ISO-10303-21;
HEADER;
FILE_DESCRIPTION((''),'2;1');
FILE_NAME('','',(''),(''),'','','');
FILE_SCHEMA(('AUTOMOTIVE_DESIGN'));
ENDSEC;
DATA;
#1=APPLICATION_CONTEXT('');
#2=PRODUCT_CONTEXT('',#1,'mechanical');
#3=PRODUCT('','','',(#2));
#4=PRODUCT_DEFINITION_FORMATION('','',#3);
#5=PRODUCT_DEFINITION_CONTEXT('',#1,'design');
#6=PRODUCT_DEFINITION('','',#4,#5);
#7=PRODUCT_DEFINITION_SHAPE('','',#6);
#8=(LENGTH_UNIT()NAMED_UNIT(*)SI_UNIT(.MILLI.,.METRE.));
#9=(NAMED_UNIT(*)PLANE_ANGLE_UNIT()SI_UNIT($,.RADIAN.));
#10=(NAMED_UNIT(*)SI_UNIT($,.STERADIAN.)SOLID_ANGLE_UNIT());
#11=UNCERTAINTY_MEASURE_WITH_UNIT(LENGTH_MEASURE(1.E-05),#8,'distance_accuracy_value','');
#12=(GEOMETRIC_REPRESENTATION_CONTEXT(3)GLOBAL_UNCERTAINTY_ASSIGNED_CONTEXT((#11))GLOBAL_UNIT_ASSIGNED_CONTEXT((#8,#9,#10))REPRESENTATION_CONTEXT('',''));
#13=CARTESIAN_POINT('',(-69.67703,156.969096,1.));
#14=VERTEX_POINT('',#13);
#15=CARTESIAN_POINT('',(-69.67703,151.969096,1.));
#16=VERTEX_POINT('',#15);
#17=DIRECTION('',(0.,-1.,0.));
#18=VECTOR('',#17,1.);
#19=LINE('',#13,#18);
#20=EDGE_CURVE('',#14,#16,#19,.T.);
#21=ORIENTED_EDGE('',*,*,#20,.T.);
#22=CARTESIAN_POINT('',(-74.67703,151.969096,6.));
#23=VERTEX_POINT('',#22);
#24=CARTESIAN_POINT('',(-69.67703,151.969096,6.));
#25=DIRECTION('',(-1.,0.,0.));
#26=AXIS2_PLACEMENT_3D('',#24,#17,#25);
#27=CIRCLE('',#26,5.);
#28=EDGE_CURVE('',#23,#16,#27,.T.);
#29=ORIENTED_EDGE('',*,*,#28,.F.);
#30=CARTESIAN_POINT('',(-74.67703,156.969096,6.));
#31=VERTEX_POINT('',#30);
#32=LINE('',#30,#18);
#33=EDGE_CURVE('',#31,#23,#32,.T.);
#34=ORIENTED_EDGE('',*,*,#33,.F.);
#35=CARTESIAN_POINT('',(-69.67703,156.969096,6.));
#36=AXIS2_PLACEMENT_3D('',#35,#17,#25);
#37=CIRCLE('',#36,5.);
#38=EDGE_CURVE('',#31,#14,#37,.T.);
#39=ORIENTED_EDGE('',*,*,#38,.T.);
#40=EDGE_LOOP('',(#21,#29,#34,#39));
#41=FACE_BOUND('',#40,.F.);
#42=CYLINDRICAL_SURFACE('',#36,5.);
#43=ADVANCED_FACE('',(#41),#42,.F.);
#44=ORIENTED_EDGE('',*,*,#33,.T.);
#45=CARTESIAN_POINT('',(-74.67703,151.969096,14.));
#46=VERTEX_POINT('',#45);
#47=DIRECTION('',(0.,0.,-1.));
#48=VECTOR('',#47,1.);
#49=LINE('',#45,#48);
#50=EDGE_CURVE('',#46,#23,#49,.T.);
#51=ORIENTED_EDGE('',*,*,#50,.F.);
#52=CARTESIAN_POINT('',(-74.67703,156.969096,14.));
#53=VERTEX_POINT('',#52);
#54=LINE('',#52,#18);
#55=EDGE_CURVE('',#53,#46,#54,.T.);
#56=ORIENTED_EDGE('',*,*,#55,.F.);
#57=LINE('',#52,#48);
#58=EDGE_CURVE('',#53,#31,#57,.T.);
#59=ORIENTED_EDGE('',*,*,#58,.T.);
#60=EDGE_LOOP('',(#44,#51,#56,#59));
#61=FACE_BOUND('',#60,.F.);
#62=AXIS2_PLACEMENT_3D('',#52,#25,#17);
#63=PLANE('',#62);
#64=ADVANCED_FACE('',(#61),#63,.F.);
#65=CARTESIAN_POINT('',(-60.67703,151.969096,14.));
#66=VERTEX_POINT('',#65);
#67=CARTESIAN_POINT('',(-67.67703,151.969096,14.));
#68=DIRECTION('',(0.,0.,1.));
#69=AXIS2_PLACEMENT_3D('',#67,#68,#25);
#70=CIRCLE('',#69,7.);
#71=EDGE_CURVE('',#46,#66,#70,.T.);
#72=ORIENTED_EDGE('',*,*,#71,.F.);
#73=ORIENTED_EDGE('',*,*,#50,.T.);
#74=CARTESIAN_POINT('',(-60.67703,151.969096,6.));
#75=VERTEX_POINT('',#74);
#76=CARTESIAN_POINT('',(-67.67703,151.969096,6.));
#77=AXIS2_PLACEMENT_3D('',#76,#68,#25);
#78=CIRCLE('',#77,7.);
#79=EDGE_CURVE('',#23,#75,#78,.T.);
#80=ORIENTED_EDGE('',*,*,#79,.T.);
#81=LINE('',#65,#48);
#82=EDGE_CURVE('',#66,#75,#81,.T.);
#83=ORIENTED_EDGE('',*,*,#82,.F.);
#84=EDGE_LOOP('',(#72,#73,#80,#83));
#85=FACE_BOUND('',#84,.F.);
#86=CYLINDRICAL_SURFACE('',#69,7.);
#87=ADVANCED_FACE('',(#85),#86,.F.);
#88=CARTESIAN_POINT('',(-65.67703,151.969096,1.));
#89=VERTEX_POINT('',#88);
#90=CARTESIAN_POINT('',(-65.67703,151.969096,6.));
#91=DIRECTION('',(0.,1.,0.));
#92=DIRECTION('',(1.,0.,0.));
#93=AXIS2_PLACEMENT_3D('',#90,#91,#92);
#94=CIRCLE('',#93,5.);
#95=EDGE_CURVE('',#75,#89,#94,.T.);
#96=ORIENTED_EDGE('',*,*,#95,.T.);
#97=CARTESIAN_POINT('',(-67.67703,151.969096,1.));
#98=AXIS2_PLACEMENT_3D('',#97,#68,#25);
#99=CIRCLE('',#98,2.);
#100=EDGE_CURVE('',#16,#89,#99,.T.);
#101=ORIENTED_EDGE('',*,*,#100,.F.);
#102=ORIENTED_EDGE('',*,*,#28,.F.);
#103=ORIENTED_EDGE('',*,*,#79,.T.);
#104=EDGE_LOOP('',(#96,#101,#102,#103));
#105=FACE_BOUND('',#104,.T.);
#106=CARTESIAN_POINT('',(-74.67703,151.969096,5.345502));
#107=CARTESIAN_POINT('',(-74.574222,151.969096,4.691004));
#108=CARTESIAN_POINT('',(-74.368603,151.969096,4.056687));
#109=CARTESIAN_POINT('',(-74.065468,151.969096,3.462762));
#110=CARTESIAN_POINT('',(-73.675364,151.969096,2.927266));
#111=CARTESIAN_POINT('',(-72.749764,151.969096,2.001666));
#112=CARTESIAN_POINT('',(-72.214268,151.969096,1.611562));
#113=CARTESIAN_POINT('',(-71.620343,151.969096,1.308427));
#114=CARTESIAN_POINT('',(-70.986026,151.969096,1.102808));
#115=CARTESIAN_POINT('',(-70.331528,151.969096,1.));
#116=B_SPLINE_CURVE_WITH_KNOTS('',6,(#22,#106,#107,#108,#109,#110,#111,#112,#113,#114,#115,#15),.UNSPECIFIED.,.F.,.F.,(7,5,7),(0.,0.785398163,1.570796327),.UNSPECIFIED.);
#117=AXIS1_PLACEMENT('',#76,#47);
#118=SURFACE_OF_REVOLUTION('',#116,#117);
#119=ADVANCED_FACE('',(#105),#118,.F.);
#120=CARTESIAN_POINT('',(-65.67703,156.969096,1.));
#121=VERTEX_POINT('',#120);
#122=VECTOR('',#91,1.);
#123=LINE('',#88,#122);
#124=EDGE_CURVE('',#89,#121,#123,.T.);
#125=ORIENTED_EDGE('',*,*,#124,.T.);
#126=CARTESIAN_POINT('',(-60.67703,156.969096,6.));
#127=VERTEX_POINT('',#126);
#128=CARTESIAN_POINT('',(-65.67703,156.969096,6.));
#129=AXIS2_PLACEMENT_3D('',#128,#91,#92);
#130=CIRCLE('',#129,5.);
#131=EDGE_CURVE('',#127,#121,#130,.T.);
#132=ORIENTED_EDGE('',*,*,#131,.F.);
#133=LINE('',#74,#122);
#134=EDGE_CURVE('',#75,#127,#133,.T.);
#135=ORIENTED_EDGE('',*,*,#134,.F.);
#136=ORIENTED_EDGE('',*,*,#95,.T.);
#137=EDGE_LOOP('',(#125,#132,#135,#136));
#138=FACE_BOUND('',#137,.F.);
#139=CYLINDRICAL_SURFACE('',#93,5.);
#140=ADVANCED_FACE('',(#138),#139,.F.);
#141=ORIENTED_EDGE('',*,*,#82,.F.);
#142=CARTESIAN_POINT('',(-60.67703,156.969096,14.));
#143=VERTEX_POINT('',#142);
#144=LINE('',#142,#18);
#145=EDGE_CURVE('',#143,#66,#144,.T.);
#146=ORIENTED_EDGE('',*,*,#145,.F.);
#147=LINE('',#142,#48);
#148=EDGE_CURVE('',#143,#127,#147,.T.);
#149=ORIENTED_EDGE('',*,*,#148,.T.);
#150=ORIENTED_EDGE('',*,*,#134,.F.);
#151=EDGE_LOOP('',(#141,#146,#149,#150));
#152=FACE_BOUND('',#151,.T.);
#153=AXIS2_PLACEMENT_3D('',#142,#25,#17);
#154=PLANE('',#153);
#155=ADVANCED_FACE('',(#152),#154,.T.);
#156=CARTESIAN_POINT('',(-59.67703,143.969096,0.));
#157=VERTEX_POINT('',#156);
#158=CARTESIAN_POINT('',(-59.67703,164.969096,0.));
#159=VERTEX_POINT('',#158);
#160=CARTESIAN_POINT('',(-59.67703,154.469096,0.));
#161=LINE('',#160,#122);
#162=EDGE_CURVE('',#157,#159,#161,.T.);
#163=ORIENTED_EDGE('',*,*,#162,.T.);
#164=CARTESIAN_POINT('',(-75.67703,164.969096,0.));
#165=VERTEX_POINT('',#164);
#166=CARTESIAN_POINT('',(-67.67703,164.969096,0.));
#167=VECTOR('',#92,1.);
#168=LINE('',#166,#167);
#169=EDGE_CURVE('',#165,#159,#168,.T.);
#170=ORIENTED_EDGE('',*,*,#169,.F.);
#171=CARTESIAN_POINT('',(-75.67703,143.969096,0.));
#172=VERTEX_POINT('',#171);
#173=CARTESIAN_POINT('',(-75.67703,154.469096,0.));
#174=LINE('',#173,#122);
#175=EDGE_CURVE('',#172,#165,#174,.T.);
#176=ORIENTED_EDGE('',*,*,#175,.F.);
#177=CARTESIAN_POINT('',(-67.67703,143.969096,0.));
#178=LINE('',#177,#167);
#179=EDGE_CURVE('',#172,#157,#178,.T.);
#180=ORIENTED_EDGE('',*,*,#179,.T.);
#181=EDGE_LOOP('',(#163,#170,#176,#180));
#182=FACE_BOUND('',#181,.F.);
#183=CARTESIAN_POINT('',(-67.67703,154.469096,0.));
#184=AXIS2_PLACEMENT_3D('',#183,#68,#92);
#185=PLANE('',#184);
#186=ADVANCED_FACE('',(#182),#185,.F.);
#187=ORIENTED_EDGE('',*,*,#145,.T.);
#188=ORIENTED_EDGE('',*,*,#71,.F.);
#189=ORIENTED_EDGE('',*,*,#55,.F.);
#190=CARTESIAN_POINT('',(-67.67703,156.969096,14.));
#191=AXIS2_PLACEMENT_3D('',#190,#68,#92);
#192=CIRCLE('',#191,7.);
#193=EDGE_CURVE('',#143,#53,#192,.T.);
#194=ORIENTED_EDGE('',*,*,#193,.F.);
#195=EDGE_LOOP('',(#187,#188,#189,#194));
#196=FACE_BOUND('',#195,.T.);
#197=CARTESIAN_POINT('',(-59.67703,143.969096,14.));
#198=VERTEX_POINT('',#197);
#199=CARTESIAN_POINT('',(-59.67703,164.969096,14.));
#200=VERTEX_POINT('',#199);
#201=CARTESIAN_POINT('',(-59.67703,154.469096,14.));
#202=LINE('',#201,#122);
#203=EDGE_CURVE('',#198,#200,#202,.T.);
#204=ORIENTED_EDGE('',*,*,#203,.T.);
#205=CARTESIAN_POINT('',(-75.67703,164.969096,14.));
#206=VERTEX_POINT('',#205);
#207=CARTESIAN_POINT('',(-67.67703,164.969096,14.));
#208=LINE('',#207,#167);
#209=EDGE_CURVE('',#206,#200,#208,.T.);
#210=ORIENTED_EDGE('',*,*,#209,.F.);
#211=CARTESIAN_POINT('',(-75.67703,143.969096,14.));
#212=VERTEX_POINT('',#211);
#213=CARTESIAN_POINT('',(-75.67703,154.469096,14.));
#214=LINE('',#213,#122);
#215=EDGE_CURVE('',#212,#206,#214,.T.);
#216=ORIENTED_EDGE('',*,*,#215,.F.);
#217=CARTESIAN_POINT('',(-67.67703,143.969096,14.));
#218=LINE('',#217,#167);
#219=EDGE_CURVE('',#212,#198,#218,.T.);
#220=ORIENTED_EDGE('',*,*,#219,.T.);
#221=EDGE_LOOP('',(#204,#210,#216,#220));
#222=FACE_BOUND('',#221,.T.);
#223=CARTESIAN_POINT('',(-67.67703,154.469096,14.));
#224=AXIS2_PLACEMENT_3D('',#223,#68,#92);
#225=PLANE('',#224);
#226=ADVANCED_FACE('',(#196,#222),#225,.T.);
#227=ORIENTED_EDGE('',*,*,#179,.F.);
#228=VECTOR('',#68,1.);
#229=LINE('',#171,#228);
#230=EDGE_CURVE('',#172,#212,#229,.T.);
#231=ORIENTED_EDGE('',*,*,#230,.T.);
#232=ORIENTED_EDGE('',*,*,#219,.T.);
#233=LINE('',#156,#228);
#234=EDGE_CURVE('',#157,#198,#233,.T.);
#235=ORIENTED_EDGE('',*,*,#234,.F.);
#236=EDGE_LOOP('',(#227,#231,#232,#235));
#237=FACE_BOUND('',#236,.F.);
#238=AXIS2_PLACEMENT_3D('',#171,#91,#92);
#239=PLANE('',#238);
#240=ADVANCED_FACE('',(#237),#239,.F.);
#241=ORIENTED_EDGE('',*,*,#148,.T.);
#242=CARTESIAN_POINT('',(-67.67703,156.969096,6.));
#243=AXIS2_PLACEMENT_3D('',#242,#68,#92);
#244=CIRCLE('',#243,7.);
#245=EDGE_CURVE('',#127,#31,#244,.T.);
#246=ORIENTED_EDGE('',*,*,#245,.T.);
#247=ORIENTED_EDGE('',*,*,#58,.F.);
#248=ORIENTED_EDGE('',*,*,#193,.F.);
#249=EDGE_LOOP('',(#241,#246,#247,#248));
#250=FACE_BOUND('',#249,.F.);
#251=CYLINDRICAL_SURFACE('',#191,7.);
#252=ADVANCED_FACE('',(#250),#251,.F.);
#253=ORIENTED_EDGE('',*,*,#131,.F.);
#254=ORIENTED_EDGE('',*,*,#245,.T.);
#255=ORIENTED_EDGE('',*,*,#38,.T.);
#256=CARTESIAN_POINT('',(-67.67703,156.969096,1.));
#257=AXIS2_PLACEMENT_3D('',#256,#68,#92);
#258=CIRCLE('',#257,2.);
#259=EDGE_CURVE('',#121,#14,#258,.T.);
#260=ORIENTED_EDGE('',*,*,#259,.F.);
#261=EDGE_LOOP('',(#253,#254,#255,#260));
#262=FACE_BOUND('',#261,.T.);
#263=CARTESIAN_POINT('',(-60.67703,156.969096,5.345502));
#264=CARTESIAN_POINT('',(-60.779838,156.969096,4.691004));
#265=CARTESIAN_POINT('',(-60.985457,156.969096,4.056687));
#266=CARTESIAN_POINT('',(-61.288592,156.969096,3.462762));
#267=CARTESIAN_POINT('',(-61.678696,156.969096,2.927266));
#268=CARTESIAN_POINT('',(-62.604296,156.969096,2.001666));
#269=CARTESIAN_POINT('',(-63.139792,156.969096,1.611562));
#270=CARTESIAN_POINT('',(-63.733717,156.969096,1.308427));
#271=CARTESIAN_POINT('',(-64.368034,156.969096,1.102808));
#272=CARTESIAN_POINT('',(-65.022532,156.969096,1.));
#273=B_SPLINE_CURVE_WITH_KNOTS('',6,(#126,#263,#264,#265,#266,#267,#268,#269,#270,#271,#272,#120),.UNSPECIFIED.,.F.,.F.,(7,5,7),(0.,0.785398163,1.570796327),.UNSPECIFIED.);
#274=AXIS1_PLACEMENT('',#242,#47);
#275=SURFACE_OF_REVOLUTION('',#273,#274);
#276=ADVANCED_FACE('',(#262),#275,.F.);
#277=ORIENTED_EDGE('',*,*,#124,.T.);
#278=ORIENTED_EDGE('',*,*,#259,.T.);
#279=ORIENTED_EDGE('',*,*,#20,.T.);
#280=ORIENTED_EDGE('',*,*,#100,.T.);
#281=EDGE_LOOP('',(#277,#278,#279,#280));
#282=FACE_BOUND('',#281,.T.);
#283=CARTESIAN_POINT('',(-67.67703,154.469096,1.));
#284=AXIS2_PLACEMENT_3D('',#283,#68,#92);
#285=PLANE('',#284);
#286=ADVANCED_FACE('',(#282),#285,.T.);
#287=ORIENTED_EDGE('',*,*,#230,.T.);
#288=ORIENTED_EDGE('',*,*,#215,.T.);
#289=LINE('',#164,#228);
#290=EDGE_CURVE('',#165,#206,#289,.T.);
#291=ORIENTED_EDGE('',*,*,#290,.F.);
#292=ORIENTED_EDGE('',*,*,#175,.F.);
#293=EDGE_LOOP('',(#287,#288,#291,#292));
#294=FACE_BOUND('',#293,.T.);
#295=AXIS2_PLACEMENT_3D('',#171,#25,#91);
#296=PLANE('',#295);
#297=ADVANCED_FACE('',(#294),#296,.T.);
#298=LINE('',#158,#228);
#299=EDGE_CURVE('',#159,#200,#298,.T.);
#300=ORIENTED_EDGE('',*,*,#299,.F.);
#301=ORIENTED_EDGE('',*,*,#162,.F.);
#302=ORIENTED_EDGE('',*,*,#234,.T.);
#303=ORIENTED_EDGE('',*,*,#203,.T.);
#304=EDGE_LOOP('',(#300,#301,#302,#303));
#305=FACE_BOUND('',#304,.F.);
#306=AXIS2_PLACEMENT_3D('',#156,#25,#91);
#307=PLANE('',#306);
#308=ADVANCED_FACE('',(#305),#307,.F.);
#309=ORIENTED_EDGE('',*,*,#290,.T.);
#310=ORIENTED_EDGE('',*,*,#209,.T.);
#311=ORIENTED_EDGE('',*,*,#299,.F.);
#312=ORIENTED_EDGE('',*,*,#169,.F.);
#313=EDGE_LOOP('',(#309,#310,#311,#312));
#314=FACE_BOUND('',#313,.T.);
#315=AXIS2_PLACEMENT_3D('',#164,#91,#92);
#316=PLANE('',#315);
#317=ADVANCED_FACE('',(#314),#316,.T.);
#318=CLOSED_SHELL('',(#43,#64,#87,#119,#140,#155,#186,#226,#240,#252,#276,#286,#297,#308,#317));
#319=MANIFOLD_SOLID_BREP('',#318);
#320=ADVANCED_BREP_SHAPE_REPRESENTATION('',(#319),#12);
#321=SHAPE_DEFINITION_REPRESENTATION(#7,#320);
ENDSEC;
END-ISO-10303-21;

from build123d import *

# Parameters (mm, degrees)
SKETCH019_W     = 16
SKETCH019_H     = 21
PAD005_DEPTH    = 14
POCKET012_DEPTH = 13
FILLET001_R     = 5


with BuildPart() as part:
    # Sketch019 → Pad005 (new body)
    with BuildSketch(Plane.XY):
        with Locations((-67.67703, 154.469096)):
            Rectangle(SKETCH019_W, SKETCH019_H)
    extrude(amount=PAD005_DEPTH)

    # Sketch020 (on Face6 of Pad005) → Pocket012 (cut)
    with BuildSketch(Plane.XY.offset(14)):
        with BuildLine():
            ThreePointArc((-60.67703, 156.969096), (-67.67703, 163.969096), (-74.67703, 156.969096))
            Line((-74.67703, 156.969096), (-74.67703, 151.969096))
            ThreePointArc((-74.67703, 151.969096), (-67.67703, 144.969096), (-60.67703, 151.969096))
            Line((-60.67703, 156.969096), (-60.67703, 151.969096))
        make_face()
    extrude(amount=-POCKET012_DEPTH, mode=Mode.SUBTRACT)

    # Fillet001
    fillet001_edges = [part.edges().sort_by_distance(p)[0] for p in [
        (-67.67703, 144.969096, 1),
        (-74.67703, 154.469096, 1),
        (-60.67703, 154.469096, 1),
        (-67.67703, 163.969096, 1),
    ]]
    fillet(fillet001_edges, radius=FILLET001_R)


solid = part.part
